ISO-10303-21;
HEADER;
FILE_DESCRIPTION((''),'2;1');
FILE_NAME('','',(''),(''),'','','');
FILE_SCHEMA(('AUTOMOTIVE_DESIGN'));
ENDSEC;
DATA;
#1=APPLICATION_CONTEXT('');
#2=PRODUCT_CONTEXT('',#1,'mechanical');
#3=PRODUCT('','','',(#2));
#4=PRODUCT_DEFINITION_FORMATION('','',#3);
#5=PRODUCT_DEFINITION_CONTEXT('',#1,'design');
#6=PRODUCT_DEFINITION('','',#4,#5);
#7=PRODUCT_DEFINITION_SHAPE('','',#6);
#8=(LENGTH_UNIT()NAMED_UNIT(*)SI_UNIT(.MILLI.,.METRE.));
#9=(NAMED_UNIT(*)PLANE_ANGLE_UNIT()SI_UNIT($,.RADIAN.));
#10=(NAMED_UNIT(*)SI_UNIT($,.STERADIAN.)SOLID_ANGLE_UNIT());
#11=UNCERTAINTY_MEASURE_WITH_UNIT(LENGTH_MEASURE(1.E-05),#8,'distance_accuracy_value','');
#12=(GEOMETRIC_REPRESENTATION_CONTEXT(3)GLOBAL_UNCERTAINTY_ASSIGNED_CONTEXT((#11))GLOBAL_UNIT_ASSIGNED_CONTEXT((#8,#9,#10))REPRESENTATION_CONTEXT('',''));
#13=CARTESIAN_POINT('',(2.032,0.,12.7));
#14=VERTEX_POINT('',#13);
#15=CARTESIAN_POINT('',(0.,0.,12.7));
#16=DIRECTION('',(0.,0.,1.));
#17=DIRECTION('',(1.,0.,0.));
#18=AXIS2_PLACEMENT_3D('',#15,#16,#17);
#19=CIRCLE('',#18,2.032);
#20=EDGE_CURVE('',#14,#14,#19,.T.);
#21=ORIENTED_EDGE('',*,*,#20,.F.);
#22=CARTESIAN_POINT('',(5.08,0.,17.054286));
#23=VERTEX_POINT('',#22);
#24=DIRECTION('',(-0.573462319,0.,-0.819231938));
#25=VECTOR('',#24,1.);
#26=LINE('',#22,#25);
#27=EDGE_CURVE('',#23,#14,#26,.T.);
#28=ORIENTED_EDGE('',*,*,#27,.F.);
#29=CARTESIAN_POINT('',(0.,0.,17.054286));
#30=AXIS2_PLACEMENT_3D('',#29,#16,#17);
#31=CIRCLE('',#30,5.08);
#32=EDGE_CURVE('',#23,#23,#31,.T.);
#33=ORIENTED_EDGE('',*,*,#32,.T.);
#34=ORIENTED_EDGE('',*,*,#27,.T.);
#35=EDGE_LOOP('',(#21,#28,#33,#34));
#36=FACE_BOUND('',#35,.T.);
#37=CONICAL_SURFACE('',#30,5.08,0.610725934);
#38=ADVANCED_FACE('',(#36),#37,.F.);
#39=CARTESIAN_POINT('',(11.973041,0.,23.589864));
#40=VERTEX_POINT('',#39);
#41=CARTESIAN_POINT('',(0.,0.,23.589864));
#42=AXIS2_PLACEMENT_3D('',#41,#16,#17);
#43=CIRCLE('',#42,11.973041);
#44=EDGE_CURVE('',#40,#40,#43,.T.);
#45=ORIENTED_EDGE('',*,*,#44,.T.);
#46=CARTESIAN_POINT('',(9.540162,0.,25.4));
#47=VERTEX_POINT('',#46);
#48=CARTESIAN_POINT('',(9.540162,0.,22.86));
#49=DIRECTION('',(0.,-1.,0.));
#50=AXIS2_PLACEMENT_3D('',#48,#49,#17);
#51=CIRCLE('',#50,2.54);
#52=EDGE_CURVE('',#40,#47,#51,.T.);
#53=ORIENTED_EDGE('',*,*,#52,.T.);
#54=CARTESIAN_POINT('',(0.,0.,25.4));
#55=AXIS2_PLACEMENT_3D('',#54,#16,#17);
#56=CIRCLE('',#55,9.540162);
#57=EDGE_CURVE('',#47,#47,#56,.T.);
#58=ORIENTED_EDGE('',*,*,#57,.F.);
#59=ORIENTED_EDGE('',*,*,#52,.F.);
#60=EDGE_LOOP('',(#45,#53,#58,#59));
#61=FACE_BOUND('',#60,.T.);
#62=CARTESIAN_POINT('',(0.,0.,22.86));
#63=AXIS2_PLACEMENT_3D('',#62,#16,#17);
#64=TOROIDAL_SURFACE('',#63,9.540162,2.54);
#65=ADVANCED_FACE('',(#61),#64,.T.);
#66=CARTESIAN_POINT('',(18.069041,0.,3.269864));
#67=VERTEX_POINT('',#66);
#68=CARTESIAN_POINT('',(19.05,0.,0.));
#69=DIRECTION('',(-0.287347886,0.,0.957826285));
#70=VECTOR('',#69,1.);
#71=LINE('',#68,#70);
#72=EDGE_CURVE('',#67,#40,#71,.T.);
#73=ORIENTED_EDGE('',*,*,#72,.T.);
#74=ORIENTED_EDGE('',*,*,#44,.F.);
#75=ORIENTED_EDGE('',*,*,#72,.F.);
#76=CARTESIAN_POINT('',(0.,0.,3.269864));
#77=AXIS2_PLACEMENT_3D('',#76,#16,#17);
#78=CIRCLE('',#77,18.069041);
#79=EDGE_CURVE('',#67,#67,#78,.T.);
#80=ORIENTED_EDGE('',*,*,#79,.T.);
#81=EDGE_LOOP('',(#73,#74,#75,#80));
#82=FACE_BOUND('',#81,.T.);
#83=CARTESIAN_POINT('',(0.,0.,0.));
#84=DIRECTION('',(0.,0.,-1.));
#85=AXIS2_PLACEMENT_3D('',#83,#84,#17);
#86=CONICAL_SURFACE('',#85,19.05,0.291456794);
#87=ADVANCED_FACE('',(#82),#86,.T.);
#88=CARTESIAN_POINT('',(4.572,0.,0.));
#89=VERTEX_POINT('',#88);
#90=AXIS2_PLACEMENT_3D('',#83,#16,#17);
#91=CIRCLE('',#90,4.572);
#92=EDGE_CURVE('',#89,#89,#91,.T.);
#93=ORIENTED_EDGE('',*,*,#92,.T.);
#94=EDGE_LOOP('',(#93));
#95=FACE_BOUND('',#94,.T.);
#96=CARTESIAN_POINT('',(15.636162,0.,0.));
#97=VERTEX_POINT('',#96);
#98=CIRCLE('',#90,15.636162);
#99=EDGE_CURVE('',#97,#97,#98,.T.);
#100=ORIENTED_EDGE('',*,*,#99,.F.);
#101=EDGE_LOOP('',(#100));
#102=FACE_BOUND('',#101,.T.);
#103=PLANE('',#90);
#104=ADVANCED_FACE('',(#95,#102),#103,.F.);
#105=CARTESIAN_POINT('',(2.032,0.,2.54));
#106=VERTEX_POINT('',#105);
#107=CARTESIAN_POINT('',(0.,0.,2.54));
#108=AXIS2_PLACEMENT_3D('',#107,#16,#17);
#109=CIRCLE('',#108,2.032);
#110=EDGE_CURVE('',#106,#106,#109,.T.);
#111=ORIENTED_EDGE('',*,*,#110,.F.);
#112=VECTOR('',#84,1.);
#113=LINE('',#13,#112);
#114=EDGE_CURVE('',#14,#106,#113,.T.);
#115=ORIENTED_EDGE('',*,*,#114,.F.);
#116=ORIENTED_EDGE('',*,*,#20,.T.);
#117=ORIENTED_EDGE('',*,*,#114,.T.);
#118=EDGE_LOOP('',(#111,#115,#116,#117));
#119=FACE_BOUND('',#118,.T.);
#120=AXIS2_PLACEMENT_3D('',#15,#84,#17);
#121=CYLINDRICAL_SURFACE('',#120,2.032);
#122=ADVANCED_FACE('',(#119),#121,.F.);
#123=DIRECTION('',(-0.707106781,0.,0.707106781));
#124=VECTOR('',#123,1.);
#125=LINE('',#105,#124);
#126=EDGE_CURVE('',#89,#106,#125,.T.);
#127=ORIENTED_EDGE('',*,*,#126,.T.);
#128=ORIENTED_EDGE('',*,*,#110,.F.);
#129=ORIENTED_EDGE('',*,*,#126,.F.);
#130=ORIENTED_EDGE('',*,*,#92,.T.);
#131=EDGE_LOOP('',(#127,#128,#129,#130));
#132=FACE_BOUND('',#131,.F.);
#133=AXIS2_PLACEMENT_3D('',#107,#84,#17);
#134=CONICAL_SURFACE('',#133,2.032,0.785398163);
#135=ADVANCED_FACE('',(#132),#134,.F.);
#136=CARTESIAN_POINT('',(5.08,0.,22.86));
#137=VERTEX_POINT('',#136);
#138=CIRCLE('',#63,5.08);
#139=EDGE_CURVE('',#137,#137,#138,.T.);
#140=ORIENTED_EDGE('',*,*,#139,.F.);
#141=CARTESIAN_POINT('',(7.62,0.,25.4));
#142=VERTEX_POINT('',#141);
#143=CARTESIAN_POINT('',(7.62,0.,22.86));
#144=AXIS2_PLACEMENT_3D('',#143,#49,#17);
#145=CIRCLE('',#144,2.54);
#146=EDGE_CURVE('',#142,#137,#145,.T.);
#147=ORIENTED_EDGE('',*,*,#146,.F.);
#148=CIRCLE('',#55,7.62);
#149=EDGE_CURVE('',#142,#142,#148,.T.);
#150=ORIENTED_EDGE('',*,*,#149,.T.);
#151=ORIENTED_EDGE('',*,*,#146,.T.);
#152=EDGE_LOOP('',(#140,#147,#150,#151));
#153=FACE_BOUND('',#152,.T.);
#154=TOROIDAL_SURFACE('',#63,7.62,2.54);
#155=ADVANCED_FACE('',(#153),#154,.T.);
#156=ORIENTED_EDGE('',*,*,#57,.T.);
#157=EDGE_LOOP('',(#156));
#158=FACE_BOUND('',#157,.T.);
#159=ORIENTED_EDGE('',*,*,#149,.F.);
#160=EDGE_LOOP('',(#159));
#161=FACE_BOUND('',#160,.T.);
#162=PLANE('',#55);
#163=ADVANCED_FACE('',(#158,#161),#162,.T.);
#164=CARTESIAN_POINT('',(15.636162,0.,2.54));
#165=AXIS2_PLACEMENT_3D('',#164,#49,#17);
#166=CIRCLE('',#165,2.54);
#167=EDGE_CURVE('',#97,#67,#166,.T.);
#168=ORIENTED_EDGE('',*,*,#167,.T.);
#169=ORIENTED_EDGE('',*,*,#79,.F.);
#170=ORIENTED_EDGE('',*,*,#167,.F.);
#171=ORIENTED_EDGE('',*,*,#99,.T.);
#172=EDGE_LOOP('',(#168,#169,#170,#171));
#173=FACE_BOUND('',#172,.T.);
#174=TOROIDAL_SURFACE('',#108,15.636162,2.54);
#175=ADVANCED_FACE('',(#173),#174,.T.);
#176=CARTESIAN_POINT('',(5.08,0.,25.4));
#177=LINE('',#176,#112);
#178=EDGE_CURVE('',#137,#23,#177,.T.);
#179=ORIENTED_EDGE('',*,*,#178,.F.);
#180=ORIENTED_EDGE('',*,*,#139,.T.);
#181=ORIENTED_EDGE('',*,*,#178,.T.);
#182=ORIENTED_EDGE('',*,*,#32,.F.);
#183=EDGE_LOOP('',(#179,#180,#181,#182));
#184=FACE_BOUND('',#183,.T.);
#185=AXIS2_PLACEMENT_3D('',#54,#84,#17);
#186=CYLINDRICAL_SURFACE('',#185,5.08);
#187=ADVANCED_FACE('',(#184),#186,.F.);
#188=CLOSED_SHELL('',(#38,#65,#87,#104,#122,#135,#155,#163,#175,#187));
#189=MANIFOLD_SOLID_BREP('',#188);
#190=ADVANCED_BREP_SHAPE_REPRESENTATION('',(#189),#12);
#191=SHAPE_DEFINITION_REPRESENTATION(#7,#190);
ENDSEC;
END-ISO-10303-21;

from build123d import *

# Parameters (mm, degrees)
F3_R    = 2.54
F4_SIZE = 2.54


with BuildPart() as f2:
    # F0 (on Front) → F2 (revolve)
    with BuildSketch(Plane.XZ):
        Polygon((2.032, 12.7), (2.032, 0), (19.05, 0), (11.43, 25.4), (5.08, 25.4), (5.08, 17.054286), align=None)
    revolve(axis=Axis((0, 0, 16.681224), (0, 0, 1)))

    # F3
    f3_edges = [f2.edges().sort_by_distance(p)[0] for p in [
        (-11.43, 0, 25.4),
        (-5.08, 0, 25.4),
        (-19.05, 0, 0),
    ]]
    fillet(f3_edges, radius=F3_R)

    # F4
    f4_edges = [f2.edges().sort_by_distance(p)[0] for p in [
        (-2.032, 0, 0),
    ]]
    chamfer(f4_edges, length=F4_SIZE)


solid = f2.part
